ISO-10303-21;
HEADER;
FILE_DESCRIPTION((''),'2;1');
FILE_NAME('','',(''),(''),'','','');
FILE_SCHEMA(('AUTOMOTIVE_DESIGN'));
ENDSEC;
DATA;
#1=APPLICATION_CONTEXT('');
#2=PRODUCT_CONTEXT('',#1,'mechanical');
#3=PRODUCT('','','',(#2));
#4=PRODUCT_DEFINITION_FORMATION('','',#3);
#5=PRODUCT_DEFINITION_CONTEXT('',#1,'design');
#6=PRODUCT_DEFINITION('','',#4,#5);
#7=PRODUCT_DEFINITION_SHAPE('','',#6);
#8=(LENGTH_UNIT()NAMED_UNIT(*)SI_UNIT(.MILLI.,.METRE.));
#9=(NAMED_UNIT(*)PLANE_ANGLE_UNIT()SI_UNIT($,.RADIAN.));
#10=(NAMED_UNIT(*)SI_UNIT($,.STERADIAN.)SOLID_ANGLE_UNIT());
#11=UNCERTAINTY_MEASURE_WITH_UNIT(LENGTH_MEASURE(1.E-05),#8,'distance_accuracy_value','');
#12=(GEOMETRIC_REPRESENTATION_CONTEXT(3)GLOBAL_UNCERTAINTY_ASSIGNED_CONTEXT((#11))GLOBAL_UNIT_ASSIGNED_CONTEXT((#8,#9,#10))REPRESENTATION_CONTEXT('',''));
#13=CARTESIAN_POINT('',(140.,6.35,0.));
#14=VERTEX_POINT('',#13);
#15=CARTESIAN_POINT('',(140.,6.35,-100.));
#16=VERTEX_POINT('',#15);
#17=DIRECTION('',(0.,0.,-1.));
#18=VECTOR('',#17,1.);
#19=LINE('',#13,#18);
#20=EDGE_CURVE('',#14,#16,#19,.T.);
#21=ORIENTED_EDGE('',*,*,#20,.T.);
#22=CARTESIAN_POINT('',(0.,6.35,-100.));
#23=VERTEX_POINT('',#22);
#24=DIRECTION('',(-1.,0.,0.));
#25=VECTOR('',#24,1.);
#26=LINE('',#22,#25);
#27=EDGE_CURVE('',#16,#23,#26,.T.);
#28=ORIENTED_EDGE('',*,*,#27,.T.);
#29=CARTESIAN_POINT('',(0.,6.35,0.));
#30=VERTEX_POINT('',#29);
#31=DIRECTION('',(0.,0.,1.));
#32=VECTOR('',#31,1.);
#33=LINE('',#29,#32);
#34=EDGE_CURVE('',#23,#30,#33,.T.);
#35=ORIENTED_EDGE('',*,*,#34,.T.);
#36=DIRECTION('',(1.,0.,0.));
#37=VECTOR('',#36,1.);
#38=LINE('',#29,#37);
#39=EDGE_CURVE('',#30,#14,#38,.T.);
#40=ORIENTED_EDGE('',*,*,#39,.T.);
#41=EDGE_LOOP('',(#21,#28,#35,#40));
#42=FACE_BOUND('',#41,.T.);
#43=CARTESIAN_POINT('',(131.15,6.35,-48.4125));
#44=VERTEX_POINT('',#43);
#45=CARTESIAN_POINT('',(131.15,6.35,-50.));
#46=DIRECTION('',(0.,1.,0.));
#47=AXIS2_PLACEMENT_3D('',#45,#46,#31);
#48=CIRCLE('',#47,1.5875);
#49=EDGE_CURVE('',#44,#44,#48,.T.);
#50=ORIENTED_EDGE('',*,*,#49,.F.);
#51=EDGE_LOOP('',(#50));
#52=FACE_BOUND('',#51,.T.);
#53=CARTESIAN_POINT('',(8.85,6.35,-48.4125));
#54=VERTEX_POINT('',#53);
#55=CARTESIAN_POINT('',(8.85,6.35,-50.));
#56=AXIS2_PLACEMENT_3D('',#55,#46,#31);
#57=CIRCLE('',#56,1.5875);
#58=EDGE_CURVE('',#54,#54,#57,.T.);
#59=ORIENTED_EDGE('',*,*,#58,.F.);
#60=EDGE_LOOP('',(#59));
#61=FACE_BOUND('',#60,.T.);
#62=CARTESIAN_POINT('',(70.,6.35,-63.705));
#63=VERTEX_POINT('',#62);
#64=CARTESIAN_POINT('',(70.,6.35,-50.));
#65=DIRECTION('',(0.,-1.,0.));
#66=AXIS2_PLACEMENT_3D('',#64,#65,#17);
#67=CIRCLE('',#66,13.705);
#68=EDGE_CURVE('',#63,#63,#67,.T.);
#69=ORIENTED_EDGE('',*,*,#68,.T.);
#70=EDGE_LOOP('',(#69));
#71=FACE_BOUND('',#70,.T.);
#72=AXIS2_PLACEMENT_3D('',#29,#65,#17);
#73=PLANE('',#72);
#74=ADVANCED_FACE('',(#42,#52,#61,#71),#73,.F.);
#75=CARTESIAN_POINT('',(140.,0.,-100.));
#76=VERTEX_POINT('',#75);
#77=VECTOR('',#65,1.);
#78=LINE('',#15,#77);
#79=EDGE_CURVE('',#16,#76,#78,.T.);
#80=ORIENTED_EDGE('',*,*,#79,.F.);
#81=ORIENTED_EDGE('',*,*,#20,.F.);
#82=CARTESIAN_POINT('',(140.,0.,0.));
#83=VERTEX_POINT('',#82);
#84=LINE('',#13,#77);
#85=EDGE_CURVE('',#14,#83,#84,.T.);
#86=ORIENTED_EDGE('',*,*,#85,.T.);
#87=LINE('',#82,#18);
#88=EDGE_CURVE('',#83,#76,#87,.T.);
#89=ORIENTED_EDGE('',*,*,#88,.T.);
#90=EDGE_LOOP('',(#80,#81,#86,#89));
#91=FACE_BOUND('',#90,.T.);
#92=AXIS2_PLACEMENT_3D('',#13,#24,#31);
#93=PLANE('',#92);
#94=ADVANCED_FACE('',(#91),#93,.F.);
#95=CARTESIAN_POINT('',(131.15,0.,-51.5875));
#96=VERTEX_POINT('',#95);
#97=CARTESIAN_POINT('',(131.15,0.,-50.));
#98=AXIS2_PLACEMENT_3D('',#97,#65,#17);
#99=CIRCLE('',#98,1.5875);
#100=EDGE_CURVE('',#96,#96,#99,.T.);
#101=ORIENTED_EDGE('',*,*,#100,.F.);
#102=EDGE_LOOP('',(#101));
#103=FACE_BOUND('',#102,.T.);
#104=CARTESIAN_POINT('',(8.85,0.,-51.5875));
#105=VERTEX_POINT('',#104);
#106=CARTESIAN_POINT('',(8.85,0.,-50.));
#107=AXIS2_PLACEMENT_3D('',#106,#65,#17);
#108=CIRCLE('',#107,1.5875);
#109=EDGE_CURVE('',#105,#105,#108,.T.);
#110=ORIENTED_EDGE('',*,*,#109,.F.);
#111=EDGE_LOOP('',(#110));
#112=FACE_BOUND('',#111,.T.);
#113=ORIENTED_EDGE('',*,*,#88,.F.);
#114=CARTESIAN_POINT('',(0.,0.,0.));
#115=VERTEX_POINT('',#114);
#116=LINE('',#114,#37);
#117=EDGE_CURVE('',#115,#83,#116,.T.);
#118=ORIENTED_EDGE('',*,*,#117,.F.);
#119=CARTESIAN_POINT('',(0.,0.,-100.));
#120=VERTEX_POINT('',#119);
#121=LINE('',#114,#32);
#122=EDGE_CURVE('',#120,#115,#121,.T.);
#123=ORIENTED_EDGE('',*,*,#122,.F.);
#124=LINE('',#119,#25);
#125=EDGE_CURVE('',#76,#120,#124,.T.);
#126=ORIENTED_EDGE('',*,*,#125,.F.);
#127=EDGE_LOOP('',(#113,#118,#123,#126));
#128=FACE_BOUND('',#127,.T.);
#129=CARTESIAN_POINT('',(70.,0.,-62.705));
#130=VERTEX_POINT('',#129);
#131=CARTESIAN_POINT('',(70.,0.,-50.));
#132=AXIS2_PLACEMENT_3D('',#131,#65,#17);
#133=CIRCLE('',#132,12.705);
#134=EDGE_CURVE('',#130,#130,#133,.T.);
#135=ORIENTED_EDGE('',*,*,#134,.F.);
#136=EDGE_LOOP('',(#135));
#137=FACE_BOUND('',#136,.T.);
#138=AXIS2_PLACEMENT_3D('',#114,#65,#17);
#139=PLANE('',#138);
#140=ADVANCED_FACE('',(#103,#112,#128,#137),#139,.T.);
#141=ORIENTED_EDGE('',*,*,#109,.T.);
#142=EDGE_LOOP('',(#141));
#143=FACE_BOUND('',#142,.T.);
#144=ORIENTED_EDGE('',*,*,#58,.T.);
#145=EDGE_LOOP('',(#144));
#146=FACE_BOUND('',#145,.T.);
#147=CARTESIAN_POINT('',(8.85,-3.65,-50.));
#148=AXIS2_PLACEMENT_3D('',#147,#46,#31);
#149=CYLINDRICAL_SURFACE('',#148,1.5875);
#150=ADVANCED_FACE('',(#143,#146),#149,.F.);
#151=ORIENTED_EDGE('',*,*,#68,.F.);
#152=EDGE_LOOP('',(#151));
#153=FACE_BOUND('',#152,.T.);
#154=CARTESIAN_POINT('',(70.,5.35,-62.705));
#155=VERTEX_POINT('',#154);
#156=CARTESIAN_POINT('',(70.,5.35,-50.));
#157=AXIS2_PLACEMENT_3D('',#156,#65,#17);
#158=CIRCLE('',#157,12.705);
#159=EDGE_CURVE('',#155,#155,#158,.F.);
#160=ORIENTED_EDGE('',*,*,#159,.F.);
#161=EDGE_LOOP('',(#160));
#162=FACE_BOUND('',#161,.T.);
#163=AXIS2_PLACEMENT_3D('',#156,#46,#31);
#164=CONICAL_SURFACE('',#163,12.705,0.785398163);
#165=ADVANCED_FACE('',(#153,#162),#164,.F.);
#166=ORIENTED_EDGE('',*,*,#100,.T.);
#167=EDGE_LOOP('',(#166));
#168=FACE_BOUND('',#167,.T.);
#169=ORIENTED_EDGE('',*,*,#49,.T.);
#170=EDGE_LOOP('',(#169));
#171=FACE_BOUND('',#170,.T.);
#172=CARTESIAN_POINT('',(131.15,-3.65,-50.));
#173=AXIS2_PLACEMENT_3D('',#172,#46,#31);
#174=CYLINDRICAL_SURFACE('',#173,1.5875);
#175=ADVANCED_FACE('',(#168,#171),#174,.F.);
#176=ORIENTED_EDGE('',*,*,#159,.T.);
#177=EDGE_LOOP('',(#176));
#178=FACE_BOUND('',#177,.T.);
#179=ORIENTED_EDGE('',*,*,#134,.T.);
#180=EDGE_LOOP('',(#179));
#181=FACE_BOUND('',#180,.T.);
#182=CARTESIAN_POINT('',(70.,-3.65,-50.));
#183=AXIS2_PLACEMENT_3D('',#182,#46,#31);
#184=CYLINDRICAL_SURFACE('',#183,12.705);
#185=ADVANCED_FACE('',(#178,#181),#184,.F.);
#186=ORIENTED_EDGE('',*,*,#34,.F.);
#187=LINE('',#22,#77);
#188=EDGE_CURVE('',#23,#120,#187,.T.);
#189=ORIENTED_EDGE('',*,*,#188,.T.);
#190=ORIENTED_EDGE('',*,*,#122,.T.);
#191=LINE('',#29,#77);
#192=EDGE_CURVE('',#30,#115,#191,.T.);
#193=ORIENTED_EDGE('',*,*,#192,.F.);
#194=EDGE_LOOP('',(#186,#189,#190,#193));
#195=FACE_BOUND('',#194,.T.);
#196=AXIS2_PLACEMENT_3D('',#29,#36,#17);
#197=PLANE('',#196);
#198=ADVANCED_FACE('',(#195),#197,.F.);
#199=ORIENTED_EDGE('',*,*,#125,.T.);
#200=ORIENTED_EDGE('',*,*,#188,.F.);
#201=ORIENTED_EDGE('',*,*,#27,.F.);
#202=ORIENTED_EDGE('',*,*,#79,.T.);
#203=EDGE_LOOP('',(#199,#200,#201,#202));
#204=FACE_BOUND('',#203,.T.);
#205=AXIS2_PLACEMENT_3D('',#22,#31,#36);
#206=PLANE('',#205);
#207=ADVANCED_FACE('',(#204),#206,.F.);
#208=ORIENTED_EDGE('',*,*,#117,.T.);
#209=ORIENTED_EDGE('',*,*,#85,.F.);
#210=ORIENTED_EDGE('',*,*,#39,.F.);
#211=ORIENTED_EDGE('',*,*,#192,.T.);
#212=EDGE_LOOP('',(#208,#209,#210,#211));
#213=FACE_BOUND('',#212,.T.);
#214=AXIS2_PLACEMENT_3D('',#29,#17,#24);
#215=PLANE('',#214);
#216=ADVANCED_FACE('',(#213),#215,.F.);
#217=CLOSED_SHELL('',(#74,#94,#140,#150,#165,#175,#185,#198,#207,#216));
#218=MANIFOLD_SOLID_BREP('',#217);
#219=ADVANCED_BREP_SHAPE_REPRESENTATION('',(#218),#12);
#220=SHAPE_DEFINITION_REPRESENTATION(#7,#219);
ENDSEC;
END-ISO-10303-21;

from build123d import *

# Parameters (mm, degrees)
SKETCH1_W           = 140
SKETCH1_H           = 100
BOSS_EXTRUDE1_DEPTH = 6.35
SKETCH2_R           = 12.705
CUT_EXTRUDE1_DEPTH  = 10
SKETCH3_R           = 1.5875
CUT_EXTRUDE2_DEPTH  = 10
CHAMFER1_SIZE       = 1


with BuildPart() as part:
    # Sketch1 → Boss-Extrude1 (new body)
    with BuildSketch(Plane(origin=(0, 0, 0), x_dir=(1, 0, 0), z_dir=(0, 1, 0))):
        with Locations((70, 50)):
            Rectangle(SKETCH1_W, SKETCH1_H)
    extrude(amount=BOSS_EXTRUDE1_DEPTH)

    # Sketch2 → Cut-Extrude1 (cut)
    with BuildSketch(Plane(origin=(0, 6.35, 0), x_dir=(1, 0, 0), z_dir=(0, 1, 0))):
        with Locations(Location((70, 50, 0), (0, 0, 270))):
            Circle(SKETCH2_R)
    extrude(amount=-CUT_EXTRUDE1_DEPTH, mode=Mode.SUBTRACT)

    # Sketch3 → Cut-Extrude2 (cut)
    with BuildSketch(Plane(origin=(0, 6.35, 0), x_dir=(1, 0, 0), z_dir=(0, 1, 0))):
        with Locations(Location((8.85, 50, 0), (0, 0, 270))):
            Circle(SKETCH3_R)
        with Locations(Location((131.15, 50, 0), (0, 0, 270))):
            Circle(SKETCH3_R)
    extrude(amount=-CUT_EXTRUDE2_DEPTH, mode=Mode.SUBTRACT)

    # Chamfer1
    chamfer1_edges = [part.edges().sort_by_distance(p)[0] for p in [
        (70, 6.35, -62.705),
    ]]
    chamfer(chamfer1_edges, length=CHAMFER1_SIZE)


solid = part.part
